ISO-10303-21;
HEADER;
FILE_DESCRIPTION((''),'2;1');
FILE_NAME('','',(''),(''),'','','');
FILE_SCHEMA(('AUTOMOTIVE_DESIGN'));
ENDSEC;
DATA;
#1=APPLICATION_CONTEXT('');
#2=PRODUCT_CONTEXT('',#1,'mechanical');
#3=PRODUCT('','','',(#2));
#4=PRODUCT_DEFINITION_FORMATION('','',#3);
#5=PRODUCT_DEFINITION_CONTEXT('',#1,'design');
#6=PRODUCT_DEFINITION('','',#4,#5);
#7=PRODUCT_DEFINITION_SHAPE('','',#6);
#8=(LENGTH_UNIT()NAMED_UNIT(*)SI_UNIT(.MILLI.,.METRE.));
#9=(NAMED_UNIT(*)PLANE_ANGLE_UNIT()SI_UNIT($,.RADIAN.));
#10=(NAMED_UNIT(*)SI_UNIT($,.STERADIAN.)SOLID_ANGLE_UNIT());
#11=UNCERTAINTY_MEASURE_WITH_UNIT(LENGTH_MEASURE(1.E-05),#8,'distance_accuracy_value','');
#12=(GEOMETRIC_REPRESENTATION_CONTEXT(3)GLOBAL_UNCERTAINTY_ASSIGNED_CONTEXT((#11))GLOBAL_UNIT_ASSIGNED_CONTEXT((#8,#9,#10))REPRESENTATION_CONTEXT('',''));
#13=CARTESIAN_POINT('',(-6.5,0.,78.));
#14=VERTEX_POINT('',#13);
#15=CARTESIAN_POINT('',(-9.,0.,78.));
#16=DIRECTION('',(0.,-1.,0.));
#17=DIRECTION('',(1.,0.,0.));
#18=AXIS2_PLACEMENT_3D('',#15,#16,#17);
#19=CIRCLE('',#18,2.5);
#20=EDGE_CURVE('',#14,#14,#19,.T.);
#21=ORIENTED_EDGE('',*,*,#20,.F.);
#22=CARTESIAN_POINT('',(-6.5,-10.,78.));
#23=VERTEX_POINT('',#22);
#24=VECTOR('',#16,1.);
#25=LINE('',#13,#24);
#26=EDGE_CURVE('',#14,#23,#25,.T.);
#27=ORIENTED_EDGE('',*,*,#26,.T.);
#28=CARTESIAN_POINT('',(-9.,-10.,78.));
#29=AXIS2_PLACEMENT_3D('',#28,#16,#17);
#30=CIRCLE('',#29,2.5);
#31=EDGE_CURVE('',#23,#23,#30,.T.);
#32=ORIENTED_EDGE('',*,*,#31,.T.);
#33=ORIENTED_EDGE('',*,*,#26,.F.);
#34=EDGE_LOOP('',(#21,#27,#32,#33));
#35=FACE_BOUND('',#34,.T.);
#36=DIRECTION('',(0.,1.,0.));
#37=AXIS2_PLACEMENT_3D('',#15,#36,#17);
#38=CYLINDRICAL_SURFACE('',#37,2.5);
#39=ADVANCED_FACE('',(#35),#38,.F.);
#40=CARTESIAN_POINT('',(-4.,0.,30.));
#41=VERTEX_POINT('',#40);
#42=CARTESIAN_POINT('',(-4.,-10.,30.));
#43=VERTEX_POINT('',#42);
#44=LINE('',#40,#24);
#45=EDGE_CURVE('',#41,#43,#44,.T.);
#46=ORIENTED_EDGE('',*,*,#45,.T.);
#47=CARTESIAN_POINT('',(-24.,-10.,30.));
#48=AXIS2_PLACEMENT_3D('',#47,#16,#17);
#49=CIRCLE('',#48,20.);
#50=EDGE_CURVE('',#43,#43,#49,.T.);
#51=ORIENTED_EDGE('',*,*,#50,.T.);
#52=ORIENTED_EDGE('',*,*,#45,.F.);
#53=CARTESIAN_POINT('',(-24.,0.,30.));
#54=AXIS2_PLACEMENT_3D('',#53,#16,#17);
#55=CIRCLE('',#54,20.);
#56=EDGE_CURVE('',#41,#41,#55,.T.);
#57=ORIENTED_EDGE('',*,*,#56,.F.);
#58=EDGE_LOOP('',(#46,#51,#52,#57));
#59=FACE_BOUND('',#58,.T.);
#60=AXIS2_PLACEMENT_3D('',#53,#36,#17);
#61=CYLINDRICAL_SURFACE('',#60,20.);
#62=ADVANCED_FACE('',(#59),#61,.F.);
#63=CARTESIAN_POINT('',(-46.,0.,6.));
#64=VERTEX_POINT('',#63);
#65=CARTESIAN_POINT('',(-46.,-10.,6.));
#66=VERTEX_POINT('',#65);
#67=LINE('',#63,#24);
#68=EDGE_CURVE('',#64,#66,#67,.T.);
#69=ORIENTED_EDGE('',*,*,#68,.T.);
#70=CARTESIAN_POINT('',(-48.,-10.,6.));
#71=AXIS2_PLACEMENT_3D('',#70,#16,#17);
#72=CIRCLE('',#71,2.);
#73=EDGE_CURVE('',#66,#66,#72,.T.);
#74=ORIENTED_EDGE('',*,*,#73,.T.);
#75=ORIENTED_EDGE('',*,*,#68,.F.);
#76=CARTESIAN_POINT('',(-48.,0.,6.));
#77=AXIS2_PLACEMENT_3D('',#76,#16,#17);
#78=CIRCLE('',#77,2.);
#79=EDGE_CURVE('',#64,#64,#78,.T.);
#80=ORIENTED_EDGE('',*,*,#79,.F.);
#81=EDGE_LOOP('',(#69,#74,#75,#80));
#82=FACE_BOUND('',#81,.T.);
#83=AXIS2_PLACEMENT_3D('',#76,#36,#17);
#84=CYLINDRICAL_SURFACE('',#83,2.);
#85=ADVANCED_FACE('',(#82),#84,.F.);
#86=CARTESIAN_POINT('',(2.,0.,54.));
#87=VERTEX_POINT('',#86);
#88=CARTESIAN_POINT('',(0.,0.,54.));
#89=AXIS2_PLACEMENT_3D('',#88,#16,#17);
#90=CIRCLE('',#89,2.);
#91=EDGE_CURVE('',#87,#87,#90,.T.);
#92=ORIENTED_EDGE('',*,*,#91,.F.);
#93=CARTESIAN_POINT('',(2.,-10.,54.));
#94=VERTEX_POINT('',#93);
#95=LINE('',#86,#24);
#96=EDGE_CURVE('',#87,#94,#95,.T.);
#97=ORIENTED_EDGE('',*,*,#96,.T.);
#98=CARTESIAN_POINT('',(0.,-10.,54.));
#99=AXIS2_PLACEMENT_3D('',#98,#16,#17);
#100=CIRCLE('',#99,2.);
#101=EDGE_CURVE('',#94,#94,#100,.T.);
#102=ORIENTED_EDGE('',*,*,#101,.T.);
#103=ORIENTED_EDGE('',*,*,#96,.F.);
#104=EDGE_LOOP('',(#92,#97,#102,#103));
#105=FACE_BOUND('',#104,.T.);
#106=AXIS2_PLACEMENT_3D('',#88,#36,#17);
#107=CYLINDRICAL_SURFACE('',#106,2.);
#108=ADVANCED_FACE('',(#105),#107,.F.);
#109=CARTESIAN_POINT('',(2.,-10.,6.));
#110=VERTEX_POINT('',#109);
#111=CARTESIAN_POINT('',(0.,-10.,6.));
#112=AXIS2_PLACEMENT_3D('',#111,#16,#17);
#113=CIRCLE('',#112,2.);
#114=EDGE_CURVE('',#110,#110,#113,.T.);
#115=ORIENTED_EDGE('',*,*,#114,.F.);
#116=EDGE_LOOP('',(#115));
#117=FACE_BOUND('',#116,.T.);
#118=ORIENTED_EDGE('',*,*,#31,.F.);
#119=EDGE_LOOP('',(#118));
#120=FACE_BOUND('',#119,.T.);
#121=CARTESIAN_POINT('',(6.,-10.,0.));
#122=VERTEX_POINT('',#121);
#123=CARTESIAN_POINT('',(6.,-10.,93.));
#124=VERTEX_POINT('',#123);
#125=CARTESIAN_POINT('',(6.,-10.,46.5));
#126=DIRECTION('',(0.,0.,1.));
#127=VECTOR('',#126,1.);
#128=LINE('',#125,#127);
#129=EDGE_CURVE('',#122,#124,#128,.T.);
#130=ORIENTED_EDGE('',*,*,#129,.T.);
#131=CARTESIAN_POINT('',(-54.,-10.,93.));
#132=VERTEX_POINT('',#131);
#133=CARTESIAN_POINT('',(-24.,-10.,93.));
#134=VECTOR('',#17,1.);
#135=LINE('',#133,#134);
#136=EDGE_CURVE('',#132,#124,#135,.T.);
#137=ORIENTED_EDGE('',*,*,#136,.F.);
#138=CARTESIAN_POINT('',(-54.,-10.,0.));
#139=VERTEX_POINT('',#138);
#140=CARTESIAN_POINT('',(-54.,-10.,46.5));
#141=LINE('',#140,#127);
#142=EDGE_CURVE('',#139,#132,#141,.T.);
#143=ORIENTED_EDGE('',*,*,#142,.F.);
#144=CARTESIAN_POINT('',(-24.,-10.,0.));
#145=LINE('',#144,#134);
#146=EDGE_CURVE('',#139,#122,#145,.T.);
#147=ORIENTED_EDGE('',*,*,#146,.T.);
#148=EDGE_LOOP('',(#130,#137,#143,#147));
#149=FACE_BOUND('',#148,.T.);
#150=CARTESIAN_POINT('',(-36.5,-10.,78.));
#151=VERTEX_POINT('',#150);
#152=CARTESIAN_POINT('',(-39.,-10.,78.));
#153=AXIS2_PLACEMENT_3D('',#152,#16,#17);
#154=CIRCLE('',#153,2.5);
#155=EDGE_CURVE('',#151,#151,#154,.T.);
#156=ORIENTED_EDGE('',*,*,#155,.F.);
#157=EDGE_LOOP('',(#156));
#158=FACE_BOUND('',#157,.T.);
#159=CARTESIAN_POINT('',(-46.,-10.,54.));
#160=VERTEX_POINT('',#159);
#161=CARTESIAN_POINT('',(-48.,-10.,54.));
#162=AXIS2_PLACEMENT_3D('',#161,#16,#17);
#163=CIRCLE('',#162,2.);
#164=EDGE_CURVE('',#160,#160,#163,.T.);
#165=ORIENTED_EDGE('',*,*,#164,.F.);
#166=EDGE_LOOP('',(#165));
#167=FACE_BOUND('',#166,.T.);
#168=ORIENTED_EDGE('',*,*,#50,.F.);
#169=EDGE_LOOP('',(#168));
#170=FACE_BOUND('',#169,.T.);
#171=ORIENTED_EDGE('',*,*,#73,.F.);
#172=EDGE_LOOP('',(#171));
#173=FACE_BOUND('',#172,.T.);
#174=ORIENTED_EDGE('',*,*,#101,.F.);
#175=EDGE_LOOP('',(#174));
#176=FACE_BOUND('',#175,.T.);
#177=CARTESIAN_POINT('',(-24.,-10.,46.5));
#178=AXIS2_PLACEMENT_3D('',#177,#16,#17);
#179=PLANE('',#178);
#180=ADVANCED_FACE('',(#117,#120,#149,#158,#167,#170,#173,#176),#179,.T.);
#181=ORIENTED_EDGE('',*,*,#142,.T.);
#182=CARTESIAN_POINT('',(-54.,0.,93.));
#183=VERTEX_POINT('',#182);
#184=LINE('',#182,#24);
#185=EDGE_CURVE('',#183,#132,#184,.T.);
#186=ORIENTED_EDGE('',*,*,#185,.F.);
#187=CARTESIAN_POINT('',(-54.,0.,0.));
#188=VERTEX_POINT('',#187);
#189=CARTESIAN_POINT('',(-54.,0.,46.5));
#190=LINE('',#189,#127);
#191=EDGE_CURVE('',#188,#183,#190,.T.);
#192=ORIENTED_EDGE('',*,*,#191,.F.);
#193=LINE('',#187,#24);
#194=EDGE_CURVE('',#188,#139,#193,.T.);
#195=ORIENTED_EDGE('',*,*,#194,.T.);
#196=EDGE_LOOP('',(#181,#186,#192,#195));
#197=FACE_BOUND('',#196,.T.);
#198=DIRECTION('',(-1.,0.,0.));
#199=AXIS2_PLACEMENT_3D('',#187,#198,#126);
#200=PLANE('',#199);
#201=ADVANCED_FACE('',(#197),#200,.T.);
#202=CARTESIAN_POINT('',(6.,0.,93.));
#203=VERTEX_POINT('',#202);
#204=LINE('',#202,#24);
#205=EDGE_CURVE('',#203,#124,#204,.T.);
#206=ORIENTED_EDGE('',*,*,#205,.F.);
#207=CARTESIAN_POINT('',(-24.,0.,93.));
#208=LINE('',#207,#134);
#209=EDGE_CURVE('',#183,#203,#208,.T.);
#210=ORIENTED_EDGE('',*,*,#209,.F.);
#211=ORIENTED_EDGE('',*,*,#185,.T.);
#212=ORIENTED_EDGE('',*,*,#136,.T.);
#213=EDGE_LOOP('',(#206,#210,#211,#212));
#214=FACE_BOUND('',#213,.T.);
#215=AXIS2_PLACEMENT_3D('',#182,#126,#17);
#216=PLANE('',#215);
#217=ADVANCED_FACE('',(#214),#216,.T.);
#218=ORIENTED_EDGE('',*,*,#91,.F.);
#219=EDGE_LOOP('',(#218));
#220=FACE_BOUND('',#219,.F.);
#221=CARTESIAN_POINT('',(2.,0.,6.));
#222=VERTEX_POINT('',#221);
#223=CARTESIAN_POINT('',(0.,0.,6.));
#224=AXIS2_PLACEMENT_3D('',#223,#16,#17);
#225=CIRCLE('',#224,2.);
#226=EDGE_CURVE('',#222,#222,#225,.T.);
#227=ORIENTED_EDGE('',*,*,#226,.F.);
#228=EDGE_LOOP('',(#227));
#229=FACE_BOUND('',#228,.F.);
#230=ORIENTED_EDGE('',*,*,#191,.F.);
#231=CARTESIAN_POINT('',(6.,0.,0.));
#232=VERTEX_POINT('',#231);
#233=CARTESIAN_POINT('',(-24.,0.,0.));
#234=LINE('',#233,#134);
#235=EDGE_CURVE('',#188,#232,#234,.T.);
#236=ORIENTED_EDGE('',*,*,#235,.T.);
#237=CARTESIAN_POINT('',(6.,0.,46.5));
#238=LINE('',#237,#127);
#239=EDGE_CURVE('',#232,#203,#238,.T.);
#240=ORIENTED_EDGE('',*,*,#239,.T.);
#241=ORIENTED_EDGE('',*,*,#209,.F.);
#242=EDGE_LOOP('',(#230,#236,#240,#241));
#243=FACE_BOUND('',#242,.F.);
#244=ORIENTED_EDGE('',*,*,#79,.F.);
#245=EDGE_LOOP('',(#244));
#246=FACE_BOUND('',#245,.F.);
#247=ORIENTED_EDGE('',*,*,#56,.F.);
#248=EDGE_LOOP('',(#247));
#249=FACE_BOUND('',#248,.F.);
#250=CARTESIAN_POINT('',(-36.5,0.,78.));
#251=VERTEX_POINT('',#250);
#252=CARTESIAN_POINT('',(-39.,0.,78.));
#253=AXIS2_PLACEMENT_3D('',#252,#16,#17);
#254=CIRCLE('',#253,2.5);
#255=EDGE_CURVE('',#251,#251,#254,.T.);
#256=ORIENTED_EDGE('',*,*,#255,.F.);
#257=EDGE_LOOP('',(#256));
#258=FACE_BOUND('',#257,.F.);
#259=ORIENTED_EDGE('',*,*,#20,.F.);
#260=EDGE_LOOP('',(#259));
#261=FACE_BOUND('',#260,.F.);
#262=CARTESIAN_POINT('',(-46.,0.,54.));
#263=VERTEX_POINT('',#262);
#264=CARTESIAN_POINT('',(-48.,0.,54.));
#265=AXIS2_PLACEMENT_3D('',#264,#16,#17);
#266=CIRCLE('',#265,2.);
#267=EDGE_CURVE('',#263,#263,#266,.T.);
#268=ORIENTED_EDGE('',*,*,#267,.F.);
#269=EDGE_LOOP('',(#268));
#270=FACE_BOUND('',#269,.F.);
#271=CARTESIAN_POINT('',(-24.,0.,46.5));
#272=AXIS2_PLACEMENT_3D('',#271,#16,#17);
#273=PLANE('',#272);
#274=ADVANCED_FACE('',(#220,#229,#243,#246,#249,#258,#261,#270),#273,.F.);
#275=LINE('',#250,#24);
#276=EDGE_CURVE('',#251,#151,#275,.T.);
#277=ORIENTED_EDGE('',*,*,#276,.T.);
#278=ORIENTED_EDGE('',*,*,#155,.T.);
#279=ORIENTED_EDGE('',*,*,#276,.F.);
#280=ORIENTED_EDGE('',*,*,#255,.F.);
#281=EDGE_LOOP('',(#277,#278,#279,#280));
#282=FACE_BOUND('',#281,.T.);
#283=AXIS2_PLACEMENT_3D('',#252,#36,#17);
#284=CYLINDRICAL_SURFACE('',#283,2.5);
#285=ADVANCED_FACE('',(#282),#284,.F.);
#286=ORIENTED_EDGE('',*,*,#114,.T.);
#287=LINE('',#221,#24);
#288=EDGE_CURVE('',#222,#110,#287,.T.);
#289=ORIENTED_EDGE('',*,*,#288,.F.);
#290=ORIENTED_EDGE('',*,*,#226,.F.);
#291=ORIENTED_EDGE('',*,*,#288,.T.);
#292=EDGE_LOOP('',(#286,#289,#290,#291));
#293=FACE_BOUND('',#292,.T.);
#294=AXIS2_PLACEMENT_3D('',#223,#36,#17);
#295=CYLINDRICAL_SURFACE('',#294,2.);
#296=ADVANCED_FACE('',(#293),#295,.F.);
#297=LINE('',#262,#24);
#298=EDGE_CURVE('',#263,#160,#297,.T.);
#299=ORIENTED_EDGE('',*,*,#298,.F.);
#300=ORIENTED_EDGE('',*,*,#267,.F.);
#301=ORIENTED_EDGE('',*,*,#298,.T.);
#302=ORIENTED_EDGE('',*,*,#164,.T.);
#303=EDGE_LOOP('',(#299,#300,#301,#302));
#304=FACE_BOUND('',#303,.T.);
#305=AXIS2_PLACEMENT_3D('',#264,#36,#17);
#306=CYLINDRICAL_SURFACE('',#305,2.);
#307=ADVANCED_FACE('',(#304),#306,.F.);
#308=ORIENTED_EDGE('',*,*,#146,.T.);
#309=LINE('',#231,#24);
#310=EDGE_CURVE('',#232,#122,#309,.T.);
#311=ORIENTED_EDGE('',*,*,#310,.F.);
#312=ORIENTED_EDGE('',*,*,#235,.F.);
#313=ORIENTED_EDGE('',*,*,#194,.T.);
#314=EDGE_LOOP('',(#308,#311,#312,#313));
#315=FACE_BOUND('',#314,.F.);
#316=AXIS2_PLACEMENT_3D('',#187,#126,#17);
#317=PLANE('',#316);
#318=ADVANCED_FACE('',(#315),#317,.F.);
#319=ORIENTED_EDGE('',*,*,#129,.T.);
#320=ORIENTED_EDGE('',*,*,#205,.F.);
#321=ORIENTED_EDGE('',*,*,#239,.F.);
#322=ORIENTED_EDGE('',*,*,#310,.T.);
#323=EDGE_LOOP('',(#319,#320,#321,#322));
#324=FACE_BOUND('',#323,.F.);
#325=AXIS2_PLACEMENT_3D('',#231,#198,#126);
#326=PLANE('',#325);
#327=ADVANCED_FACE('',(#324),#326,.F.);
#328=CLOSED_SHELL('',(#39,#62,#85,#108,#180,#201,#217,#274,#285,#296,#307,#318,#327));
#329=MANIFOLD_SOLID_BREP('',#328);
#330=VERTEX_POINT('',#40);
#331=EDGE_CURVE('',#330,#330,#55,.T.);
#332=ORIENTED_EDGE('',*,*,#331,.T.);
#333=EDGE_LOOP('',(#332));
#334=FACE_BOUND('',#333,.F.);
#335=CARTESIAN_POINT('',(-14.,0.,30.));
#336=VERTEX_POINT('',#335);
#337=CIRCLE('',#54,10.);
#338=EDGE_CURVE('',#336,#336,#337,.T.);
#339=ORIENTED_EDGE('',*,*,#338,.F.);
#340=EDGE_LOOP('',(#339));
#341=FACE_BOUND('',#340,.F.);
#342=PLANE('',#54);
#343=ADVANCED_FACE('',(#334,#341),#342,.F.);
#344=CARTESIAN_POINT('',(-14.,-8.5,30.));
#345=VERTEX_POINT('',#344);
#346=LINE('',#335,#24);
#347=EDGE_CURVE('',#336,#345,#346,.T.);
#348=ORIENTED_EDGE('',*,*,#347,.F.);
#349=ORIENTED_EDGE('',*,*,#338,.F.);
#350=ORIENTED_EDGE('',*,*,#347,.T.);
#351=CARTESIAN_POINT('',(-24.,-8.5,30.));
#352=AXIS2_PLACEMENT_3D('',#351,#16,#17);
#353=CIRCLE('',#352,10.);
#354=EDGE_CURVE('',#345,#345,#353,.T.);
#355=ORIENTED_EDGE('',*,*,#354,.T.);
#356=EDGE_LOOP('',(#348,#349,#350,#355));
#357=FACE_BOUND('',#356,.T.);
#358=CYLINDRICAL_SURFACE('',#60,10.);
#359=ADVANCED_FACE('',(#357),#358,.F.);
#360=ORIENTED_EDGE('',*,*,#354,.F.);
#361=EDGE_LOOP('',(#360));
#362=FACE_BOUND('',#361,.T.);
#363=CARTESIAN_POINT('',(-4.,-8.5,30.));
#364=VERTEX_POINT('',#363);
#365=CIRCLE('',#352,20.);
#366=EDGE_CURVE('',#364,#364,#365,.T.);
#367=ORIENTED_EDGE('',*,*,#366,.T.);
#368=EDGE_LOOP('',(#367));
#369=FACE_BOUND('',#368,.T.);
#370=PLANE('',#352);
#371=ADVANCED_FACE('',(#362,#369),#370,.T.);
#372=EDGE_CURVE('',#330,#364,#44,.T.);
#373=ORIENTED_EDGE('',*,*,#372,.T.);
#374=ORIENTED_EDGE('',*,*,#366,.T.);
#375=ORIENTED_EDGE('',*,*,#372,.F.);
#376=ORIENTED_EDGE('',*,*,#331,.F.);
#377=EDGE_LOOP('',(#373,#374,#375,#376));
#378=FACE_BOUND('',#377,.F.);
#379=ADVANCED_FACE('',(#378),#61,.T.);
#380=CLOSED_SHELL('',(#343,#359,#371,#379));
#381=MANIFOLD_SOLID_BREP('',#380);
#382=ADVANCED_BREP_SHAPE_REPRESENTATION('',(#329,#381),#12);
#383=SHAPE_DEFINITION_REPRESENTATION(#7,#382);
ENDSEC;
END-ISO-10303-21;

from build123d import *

# Parameters (mm, degrees)
F0_W     = 60
F0_H     = 93
F0_R     = 2
F0_R_2   = 20
F0_R_3   = 2.5
F1_DEPTH = 10
F0_R_4   = 10
F2_DEPTH = 8.5


with BuildPart() as f1:
    # F0 (on Front) → F1 (new body)
    with BuildSketch(Plane.XZ):
        with Locations((-24, 46.5)):
            Rectangle(F0_W, F0_H)
        with Locations((-48, 6)):
            Circle(F0_R, mode=Mode.SUBTRACT)
        with Locations((0, 6)):
            Circle(F0_R, mode=Mode.SUBTRACT)
        with Locations((-24, 30)):
            Circle(F0_R_2, mode=Mode.SUBTRACT)
        with Locations((-48, 54)):
            Circle(F0_R, mode=Mode.SUBTRACT)
        with Locations((-39, 78)):
            Circle(F0_R_3, mode=Mode.SUBTRACT)
        with Locations((0, 54)):
            Circle(F0_R, mode=Mode.SUBTRACT)
        with Locations((-9, 78)):
            Circle(F0_R_3, mode=Mode.SUBTRACT)
    extrude(amount=F1_DEPTH)


with BuildPart() as f2:
    # F0 (on Front) → F2 (new body)
    with BuildSketch(Plane.XZ):
        with Locations((-24, 30)):
            Circle(F0_R_2)
        with Locations((-24, 30)):
            Circle(F0_R_4, mode=Mode.SUBTRACT)
    extrude(amount=F2_DEPTH)


solid = Compound([f1.part, f2.part])
